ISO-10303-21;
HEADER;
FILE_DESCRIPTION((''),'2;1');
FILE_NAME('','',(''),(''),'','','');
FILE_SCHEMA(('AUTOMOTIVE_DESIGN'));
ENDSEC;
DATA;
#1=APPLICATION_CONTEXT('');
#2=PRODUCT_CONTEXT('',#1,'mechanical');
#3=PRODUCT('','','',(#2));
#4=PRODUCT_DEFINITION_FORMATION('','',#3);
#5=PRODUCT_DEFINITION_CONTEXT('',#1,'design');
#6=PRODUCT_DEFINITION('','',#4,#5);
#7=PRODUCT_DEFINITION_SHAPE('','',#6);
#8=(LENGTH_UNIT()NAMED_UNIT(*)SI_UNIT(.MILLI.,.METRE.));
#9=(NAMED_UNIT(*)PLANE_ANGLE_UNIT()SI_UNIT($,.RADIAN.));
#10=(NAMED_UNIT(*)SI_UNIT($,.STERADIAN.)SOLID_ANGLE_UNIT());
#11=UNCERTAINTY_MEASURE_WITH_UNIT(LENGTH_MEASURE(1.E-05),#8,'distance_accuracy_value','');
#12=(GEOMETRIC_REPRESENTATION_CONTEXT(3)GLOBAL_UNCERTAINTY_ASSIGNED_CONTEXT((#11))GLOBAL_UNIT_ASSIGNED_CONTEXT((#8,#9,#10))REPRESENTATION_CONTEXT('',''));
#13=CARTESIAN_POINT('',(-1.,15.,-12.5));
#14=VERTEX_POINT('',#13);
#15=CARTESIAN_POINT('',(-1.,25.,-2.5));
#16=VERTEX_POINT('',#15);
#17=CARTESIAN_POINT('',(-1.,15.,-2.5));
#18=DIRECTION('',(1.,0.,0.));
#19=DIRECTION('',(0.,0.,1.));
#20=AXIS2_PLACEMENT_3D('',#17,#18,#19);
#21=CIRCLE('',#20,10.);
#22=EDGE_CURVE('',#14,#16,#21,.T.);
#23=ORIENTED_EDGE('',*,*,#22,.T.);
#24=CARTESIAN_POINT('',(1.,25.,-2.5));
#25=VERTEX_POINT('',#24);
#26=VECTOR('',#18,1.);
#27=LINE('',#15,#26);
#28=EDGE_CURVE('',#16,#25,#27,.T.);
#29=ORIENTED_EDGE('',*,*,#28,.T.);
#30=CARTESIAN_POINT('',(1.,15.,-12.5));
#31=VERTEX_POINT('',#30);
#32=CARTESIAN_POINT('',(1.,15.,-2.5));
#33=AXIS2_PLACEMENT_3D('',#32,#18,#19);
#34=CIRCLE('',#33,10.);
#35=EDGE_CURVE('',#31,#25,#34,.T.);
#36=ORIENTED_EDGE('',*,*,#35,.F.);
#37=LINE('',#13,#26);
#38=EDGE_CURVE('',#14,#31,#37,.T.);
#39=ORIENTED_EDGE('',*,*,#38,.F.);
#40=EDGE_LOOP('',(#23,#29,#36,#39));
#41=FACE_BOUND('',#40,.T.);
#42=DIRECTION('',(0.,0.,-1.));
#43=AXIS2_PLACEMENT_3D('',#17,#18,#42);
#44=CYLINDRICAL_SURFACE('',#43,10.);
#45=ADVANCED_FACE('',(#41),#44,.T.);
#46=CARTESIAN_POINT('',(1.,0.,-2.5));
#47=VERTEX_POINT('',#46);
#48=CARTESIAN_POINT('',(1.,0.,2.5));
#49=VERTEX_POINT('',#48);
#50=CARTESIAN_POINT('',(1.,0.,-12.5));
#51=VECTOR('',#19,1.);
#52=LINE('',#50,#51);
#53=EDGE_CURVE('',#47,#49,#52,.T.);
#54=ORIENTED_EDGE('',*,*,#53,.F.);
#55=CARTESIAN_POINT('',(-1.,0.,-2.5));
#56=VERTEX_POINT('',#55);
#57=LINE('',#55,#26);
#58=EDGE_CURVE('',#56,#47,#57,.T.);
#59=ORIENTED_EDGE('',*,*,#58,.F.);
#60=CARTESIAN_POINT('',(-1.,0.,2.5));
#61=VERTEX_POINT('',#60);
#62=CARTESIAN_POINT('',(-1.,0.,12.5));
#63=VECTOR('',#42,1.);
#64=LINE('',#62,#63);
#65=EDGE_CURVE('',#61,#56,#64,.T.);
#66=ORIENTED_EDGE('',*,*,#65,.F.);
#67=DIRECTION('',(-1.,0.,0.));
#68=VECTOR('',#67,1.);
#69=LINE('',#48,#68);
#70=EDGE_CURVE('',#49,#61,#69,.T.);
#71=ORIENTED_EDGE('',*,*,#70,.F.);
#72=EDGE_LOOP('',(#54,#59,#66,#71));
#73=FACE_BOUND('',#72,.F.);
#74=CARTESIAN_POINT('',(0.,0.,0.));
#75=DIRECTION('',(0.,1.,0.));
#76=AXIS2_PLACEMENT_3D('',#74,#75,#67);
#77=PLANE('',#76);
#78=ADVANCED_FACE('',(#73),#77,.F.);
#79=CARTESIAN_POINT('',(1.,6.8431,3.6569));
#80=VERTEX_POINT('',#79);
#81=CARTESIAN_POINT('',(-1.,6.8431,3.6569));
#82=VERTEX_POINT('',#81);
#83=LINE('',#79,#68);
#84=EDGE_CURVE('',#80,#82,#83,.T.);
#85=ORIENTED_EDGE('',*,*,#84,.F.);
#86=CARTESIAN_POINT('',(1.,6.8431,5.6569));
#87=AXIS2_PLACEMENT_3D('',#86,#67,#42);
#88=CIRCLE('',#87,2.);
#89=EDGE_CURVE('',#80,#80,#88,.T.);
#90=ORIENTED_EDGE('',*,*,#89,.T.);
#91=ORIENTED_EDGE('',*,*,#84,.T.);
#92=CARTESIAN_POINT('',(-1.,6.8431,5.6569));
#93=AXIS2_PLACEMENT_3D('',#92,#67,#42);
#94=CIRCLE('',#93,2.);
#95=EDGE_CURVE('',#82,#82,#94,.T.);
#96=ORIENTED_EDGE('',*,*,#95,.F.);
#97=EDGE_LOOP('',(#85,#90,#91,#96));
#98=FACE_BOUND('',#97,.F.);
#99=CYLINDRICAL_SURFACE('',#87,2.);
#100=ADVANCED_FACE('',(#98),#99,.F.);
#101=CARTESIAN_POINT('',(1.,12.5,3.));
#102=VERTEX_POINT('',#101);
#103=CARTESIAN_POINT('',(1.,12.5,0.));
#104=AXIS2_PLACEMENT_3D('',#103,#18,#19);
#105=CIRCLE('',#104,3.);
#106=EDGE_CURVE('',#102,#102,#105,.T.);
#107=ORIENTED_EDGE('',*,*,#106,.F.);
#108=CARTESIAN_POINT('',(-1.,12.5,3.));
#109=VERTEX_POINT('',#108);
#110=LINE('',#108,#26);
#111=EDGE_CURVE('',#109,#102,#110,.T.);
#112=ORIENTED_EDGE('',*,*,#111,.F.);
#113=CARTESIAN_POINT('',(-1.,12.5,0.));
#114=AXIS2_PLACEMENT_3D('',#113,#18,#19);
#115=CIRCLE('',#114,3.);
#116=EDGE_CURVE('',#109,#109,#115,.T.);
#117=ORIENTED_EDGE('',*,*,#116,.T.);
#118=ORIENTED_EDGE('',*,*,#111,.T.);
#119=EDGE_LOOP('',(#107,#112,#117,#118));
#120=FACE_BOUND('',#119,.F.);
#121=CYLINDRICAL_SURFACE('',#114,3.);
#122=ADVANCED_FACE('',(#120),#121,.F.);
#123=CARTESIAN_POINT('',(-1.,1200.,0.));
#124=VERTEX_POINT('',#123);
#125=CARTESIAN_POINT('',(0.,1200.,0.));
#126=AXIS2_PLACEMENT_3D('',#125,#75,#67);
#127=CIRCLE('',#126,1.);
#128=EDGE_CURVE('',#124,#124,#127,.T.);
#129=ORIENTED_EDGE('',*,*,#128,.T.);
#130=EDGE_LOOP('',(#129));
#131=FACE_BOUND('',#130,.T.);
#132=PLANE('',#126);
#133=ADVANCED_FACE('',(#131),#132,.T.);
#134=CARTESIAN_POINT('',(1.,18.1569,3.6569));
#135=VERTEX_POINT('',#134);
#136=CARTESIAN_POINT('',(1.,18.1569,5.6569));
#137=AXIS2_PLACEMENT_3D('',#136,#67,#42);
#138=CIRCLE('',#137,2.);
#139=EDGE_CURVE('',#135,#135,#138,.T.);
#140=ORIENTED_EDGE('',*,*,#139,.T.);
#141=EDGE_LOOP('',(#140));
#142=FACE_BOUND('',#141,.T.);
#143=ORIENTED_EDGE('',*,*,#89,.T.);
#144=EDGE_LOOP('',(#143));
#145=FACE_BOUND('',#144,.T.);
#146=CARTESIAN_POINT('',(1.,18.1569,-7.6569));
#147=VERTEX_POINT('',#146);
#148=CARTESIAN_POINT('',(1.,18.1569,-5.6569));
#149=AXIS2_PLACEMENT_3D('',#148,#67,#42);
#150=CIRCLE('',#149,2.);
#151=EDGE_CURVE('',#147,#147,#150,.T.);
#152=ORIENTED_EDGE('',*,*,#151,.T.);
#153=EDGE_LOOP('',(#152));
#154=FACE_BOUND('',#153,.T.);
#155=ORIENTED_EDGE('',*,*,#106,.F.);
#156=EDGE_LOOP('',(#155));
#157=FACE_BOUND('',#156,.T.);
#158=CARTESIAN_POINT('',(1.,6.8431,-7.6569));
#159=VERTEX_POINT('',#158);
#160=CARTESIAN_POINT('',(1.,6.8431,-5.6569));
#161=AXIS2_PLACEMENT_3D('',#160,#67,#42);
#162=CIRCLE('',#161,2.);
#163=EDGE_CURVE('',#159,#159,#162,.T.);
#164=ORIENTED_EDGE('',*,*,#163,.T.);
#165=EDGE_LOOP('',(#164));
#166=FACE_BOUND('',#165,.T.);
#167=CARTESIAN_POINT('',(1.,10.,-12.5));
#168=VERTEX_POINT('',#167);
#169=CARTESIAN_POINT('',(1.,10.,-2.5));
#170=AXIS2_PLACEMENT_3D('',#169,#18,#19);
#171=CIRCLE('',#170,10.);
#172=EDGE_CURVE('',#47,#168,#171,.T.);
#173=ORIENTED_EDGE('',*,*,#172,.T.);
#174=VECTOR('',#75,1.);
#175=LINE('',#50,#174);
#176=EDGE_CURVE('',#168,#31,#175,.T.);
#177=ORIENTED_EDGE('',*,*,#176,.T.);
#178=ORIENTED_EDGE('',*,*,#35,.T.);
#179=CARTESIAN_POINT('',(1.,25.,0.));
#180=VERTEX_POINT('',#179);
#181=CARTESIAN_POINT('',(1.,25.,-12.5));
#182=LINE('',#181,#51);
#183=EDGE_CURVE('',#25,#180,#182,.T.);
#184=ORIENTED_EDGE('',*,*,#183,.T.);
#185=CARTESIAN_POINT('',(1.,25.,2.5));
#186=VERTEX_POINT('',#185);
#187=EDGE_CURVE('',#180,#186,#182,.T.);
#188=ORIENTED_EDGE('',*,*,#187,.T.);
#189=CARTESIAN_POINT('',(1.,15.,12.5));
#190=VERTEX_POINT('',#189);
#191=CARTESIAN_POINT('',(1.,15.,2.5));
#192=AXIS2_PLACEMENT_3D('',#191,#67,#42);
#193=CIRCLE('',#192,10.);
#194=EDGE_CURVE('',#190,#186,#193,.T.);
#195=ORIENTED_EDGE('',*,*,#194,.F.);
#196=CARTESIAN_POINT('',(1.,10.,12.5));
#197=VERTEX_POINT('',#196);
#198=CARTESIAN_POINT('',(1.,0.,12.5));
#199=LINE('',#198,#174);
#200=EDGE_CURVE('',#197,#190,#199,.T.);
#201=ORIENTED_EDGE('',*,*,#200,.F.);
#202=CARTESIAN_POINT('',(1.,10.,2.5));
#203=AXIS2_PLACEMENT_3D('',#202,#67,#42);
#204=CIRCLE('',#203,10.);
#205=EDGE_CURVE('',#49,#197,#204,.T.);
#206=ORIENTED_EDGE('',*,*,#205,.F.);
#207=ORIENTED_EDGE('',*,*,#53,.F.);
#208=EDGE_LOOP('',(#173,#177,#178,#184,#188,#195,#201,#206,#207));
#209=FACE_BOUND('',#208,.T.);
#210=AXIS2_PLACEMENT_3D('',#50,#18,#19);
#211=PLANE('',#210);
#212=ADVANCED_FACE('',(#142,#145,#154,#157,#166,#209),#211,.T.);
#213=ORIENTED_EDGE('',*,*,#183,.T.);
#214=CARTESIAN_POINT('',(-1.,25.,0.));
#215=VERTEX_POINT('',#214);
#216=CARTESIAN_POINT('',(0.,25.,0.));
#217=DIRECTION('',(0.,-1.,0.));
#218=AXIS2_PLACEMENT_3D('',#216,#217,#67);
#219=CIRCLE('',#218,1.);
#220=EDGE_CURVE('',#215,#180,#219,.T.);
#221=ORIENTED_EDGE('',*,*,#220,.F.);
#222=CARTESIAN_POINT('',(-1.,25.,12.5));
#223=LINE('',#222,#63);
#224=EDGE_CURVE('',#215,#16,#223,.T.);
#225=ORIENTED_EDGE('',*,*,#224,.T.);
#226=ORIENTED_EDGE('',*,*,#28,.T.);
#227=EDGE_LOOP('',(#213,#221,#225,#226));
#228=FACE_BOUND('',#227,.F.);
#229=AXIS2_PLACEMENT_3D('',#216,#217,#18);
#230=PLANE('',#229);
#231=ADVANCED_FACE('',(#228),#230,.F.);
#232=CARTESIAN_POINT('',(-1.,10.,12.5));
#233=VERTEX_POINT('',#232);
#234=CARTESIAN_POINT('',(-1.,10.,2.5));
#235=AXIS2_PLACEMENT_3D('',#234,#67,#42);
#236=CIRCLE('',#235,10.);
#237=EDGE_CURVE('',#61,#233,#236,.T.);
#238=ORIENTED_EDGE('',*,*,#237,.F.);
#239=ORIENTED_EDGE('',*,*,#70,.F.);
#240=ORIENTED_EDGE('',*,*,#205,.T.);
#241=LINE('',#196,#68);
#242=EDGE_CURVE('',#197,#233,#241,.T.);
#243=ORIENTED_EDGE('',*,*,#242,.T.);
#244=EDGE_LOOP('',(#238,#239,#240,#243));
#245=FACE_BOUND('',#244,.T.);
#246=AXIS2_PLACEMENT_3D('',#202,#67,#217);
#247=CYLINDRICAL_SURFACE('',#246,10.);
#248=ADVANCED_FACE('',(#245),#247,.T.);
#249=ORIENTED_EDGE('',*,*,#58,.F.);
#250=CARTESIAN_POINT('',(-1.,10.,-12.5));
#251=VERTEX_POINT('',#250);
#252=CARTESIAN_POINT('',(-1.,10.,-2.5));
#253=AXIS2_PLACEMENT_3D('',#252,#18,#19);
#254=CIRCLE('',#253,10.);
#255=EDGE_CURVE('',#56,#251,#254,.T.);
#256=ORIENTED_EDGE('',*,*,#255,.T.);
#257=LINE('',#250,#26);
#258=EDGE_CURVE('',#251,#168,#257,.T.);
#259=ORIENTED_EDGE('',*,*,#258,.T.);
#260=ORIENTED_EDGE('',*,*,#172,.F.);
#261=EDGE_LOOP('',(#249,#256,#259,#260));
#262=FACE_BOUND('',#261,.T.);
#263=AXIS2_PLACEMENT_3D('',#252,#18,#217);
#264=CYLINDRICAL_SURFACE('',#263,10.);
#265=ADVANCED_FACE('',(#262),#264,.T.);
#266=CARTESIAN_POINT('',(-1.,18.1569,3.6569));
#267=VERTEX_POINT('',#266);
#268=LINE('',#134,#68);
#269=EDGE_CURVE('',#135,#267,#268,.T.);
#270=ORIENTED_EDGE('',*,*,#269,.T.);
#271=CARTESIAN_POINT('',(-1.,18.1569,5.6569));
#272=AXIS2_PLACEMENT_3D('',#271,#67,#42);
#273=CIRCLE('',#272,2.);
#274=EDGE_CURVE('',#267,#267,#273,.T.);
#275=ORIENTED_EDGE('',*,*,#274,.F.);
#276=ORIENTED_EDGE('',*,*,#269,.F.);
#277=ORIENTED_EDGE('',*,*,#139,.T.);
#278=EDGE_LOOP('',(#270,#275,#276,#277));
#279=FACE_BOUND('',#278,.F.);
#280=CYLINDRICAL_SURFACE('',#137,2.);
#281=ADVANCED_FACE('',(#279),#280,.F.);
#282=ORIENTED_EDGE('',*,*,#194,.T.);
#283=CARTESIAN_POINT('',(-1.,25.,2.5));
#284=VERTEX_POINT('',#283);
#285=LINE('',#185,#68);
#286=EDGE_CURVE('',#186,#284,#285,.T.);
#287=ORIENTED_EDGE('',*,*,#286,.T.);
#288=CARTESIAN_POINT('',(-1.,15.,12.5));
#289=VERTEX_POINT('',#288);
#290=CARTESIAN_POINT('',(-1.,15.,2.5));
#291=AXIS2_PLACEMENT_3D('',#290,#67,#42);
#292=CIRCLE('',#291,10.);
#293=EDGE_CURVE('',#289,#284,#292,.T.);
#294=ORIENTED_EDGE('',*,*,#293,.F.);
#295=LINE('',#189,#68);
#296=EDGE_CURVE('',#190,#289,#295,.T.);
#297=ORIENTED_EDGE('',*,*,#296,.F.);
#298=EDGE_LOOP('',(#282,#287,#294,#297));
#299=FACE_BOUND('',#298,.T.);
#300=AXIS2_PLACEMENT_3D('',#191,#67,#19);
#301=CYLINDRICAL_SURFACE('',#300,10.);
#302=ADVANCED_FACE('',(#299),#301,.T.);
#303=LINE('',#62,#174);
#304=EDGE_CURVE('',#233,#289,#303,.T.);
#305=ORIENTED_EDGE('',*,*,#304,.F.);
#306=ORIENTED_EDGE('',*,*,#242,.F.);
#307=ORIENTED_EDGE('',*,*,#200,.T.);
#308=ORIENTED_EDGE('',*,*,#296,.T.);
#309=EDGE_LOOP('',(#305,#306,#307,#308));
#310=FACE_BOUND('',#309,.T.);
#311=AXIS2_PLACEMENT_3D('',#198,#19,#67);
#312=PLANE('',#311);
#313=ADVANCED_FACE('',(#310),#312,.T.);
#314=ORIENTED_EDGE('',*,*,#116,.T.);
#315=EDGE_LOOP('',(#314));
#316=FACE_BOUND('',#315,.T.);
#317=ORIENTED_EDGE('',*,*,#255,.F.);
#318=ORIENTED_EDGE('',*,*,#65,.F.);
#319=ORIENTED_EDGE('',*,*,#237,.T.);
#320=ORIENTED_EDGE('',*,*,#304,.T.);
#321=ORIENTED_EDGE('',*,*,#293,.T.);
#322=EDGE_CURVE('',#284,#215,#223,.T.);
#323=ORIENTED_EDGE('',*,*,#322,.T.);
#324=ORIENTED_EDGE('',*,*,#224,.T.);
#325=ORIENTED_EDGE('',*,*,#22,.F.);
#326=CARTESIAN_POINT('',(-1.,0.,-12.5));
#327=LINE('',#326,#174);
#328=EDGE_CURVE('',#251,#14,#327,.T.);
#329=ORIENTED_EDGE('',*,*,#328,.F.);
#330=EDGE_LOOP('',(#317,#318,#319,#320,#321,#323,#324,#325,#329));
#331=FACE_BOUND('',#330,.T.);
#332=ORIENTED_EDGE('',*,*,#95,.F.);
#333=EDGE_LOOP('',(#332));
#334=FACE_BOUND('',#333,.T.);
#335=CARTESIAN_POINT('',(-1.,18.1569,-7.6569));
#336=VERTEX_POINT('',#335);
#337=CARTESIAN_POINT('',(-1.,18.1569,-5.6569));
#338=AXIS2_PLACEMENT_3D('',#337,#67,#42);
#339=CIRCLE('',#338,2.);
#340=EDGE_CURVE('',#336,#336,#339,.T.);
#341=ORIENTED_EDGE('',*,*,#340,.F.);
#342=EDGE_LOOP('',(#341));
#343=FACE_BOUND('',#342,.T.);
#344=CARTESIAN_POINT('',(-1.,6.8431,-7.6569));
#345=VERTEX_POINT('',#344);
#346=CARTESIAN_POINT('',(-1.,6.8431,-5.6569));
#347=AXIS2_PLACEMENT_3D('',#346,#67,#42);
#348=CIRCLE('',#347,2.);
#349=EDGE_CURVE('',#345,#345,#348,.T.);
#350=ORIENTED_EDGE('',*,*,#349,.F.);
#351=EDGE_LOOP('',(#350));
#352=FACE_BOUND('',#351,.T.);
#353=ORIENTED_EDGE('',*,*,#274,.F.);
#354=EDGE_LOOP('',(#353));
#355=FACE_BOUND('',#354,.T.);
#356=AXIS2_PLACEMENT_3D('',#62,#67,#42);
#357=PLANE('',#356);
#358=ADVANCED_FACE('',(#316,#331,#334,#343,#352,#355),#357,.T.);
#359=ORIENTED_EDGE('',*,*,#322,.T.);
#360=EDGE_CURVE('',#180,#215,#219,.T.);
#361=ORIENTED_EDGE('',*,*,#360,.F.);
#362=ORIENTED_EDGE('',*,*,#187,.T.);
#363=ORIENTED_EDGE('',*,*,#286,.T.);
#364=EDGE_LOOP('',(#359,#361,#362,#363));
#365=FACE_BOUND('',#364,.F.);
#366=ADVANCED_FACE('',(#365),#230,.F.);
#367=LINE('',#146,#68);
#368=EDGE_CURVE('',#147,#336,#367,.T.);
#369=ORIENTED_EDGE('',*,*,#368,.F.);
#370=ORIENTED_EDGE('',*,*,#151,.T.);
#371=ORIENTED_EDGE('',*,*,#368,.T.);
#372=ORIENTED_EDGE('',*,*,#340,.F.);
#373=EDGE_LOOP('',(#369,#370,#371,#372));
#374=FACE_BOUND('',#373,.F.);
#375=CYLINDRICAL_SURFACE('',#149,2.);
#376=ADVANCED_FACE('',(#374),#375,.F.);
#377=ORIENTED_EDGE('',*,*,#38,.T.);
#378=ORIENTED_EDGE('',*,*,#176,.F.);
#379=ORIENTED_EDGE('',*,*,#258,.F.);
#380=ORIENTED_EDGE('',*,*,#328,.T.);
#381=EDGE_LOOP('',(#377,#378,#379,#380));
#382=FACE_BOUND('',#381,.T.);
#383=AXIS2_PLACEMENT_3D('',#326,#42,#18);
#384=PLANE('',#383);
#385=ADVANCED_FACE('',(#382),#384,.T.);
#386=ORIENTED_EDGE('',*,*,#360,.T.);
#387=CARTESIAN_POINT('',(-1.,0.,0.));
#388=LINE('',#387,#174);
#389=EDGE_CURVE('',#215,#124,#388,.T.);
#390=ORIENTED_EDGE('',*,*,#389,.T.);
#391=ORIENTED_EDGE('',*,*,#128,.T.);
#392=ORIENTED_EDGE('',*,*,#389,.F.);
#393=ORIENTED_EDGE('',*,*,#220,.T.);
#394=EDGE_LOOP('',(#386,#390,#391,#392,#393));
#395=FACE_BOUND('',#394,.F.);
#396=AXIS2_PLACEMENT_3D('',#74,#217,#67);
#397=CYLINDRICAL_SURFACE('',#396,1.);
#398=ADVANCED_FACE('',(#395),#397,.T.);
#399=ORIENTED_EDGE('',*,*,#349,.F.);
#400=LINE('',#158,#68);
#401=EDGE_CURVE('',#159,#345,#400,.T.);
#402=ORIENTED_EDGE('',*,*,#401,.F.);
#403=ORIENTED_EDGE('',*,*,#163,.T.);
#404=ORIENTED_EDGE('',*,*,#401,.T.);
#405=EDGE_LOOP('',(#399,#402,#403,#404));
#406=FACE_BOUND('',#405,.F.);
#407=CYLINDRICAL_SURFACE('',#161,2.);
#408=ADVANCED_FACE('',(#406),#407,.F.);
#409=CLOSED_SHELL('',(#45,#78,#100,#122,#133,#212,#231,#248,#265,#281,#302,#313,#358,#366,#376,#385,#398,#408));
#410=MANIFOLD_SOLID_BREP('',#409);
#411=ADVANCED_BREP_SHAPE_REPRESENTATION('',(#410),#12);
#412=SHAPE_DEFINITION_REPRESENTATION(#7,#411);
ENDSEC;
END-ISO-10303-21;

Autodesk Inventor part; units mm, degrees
ref_plane "YZ Plane" through (0, 0, 0) normal (1, 0, 0) x (0, 1, 0)
ref_plane "XZ Plane" through (0, 0, 0) normal (0, 1, 0) x (-1, 0, 0)
ref_plane "XY Plane" through (0, 0, 0) normal (0, 0, 1) x (1, 0, 0)
sketch "Sketch1" plane through (0, 0, 0) normal (0, 1, 0) x (-1, 0, 0)
  circle A0 centre (0, 0) radius 1
  dimension "d0" = 2
extrude "Extrusion1" add sketch "Sketch1" along normal blind 1200
sketch "Sketch2" plane through (0, 0, 0) normal (0, -1, 0) x (1, 0, 0)
  line L0 (-1, -12.5) -> (1, -12.5)
  line L1 (1, -12.5) -> (1, 12.5)
  line L2 (1, 12.5) -> (-1, 12.5)
  line L3 (-1, 12.5) -> (-1, -12.5)
  line L4 (-1, -12.5) -> (1, 12.5) construction
  line L5 (1, -12.5) -> (-1, 12.5) construction
  point P0 (0, 0)
  dimension "d3" = 2
  dimension "d4" = 25
extrude "Extrusion2" add sketch "Sketch2" against normal blind 25
fillet "Fillet1" radius 10 4 edges at (0, 25, 12.5) (0, 25, -12.5) (0, 0, 12.5) (0, 0, -12.5)
sketch "Sketch3" plane through (-1, 0, -2.5) normal (-1, 0, 0) x (0, 0, 1)
  circle A0 centre (2.5, 12.5) radius 3
  point P0 (2.5, 0)
  dimension "d8" = 6
hole "Hole1" at (-1, 12.5, 0) direction (1, 0, 0) diameter 6 end through all
sketch "Sketch4" plane through (1, 0, 2.5) normal (1, 0, 0) x (0, 0, -1)
  circle A0 centre (8.1569, 18.1569) radius 1.8 projected
  circle A1 centre (8.1569, 6.8431) radius 1.8 projected
  circle A2 centre (-3.1569, 6.8431) radius 1.8 projected
  circle A3 centre (-3.1569, 18.1569) radius 1.8 projected
  point P0 (2.5, 0)
hole "Hole2" at (1, 18.1569, -5.6569) at (1, 6.8431, -5.6569) at (1, 6.8431, 5.6569) at (1, 18.1569, 5.6569) direction (-1, 0, 0) diameter 4 end through all
properties part number "Hook Whip"
